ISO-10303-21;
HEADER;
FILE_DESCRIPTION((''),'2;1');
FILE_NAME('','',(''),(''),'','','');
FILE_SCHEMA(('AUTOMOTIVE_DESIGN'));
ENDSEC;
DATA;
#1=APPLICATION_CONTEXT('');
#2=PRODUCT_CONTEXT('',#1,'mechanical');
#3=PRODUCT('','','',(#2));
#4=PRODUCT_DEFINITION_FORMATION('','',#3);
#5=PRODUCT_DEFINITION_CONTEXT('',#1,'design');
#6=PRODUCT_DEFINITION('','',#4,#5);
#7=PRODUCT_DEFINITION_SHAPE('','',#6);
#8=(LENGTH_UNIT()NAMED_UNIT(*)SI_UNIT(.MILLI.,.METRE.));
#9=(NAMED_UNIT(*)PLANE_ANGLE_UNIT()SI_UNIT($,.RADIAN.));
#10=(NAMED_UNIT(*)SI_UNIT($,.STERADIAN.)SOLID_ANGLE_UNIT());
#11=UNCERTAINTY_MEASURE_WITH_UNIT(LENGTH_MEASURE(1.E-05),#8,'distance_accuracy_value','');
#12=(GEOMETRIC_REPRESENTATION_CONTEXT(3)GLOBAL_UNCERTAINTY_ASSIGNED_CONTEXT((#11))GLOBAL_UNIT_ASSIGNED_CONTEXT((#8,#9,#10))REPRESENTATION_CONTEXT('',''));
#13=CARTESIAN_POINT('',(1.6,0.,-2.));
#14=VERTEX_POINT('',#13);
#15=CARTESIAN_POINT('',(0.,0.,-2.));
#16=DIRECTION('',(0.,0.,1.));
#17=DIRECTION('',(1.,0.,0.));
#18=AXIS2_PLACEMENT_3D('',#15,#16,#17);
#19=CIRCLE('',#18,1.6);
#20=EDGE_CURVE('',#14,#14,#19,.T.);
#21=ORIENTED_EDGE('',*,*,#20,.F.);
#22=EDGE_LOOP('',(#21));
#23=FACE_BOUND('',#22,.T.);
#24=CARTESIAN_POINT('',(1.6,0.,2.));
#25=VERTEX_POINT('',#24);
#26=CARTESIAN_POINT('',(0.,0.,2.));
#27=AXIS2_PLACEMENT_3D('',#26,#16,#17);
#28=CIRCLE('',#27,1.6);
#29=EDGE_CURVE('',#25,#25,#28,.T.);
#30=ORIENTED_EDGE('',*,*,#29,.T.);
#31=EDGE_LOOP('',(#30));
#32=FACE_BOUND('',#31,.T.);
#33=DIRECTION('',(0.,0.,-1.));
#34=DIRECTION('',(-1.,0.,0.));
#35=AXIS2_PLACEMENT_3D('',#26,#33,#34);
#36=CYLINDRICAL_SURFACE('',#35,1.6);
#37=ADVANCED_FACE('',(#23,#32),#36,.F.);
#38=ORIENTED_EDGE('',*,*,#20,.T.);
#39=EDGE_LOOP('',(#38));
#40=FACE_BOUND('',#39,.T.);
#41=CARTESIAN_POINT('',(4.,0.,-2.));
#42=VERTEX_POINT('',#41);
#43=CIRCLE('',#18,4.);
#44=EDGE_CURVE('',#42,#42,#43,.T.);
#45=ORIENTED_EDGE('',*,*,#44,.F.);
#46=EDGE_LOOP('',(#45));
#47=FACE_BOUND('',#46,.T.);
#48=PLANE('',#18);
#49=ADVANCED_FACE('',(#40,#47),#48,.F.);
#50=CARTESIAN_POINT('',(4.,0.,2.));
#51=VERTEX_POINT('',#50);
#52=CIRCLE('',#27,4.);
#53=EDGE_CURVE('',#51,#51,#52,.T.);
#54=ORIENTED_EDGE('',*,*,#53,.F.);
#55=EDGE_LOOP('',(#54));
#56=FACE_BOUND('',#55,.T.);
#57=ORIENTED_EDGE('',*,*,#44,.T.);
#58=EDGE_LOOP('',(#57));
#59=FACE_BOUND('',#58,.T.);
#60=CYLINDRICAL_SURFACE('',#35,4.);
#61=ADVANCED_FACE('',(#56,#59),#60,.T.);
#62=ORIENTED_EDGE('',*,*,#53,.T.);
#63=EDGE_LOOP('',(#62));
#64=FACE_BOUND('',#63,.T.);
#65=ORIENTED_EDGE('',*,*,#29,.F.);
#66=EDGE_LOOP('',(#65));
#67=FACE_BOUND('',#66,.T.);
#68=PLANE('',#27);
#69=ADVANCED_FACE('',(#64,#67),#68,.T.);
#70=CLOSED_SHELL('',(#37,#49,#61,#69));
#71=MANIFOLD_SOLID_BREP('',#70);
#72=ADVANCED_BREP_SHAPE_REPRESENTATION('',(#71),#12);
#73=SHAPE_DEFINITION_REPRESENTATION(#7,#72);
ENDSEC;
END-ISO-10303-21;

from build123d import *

# Parameters (mm, degrees)
SKETCH1_R           = 4
SKETCH1_R_2         = 1.6
EXTRUDE1_DEPTH      = 2
EXTRUDE1_DEPTH_BACK = 2


with BuildPart() as part:
    # Sketch1 → Extrude1 (new body, two sides)
    with BuildSketch(Plane.XY) as extrude1_sk:
        Circle(SKETCH1_R)
        Circle(SKETCH1_R_2, mode=Mode.SUBTRACT)
    extrude(amount=EXTRUDE1_DEPTH)
    extrude(extrude1_sk.sketch, amount=-EXTRUDE1_DEPTH_BACK)


solid = part.part
